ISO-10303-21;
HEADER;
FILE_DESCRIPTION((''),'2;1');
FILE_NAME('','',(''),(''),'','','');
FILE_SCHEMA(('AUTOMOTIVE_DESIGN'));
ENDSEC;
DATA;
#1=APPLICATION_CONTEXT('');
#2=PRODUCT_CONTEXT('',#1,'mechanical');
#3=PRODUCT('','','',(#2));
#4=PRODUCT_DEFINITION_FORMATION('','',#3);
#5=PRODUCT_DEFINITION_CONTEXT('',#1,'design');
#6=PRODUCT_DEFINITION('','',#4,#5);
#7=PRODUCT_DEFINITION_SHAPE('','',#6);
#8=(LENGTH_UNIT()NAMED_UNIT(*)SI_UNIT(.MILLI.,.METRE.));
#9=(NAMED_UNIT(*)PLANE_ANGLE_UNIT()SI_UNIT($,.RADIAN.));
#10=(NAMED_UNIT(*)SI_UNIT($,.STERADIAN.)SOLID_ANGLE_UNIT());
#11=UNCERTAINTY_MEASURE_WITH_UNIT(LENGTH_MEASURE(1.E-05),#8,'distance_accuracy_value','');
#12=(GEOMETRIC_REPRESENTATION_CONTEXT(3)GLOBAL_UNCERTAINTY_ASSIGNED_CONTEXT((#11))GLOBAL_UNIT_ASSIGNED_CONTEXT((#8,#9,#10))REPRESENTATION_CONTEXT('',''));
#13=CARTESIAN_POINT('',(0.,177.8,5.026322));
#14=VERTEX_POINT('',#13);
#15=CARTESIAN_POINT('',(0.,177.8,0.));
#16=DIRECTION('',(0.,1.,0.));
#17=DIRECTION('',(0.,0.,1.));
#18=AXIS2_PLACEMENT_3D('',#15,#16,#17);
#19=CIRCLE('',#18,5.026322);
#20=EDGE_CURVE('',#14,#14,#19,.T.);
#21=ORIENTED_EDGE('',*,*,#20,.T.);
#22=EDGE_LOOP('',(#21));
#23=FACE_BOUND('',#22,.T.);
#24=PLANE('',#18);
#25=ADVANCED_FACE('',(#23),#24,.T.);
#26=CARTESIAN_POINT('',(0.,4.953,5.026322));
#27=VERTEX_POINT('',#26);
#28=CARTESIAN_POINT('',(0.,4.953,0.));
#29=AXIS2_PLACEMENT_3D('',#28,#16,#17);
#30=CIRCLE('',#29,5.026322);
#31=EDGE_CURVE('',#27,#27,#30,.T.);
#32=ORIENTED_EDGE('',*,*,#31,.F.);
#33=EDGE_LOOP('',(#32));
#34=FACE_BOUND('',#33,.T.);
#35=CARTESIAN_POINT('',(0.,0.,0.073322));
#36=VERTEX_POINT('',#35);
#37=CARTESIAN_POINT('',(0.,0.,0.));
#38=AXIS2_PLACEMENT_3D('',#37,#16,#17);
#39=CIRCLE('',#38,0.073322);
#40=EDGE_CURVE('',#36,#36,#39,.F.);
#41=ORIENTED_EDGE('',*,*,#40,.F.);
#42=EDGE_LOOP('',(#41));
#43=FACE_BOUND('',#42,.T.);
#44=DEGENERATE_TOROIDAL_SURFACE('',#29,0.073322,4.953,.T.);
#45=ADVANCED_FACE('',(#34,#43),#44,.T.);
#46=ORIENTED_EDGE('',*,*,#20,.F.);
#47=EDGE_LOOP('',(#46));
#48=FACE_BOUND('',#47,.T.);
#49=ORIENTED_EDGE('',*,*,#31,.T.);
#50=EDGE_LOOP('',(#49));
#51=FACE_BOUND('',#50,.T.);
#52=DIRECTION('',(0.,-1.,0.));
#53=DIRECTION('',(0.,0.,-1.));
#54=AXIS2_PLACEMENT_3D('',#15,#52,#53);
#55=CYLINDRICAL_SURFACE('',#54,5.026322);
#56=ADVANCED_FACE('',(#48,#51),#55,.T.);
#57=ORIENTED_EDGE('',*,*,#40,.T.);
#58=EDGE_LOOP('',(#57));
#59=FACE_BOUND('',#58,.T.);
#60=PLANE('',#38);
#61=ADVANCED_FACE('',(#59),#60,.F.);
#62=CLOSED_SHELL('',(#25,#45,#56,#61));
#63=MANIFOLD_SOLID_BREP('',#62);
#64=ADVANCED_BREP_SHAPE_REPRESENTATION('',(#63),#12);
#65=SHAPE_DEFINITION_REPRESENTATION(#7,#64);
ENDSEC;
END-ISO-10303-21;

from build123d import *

# Parameters (mm, degrees)
SKETCH1_R           = 5.026321837
BOSS_EXTRUDE1_DEPTH = 177.8
FILLET1_R           = 4.953


with BuildPart() as part:
    # Sketch1 → Boss-Extrude1 (new body)
    with BuildSketch(Plane(origin=(0, 0, 0), x_dir=(1, 0, 0), z_dir=(0, 1, 0))):
        Circle(SKETCH1_R)
    extrude(amount=BOSS_EXTRUDE1_DEPTH)

    # Fillet1
    fillet1_edges = [part.edges().sort_by_distance(p)[0] for p in [
        (-5.026321837, 0, 0),
    ]]
    fillet(fillet1_edges, radius=FILLET1_R)


solid = part.part
